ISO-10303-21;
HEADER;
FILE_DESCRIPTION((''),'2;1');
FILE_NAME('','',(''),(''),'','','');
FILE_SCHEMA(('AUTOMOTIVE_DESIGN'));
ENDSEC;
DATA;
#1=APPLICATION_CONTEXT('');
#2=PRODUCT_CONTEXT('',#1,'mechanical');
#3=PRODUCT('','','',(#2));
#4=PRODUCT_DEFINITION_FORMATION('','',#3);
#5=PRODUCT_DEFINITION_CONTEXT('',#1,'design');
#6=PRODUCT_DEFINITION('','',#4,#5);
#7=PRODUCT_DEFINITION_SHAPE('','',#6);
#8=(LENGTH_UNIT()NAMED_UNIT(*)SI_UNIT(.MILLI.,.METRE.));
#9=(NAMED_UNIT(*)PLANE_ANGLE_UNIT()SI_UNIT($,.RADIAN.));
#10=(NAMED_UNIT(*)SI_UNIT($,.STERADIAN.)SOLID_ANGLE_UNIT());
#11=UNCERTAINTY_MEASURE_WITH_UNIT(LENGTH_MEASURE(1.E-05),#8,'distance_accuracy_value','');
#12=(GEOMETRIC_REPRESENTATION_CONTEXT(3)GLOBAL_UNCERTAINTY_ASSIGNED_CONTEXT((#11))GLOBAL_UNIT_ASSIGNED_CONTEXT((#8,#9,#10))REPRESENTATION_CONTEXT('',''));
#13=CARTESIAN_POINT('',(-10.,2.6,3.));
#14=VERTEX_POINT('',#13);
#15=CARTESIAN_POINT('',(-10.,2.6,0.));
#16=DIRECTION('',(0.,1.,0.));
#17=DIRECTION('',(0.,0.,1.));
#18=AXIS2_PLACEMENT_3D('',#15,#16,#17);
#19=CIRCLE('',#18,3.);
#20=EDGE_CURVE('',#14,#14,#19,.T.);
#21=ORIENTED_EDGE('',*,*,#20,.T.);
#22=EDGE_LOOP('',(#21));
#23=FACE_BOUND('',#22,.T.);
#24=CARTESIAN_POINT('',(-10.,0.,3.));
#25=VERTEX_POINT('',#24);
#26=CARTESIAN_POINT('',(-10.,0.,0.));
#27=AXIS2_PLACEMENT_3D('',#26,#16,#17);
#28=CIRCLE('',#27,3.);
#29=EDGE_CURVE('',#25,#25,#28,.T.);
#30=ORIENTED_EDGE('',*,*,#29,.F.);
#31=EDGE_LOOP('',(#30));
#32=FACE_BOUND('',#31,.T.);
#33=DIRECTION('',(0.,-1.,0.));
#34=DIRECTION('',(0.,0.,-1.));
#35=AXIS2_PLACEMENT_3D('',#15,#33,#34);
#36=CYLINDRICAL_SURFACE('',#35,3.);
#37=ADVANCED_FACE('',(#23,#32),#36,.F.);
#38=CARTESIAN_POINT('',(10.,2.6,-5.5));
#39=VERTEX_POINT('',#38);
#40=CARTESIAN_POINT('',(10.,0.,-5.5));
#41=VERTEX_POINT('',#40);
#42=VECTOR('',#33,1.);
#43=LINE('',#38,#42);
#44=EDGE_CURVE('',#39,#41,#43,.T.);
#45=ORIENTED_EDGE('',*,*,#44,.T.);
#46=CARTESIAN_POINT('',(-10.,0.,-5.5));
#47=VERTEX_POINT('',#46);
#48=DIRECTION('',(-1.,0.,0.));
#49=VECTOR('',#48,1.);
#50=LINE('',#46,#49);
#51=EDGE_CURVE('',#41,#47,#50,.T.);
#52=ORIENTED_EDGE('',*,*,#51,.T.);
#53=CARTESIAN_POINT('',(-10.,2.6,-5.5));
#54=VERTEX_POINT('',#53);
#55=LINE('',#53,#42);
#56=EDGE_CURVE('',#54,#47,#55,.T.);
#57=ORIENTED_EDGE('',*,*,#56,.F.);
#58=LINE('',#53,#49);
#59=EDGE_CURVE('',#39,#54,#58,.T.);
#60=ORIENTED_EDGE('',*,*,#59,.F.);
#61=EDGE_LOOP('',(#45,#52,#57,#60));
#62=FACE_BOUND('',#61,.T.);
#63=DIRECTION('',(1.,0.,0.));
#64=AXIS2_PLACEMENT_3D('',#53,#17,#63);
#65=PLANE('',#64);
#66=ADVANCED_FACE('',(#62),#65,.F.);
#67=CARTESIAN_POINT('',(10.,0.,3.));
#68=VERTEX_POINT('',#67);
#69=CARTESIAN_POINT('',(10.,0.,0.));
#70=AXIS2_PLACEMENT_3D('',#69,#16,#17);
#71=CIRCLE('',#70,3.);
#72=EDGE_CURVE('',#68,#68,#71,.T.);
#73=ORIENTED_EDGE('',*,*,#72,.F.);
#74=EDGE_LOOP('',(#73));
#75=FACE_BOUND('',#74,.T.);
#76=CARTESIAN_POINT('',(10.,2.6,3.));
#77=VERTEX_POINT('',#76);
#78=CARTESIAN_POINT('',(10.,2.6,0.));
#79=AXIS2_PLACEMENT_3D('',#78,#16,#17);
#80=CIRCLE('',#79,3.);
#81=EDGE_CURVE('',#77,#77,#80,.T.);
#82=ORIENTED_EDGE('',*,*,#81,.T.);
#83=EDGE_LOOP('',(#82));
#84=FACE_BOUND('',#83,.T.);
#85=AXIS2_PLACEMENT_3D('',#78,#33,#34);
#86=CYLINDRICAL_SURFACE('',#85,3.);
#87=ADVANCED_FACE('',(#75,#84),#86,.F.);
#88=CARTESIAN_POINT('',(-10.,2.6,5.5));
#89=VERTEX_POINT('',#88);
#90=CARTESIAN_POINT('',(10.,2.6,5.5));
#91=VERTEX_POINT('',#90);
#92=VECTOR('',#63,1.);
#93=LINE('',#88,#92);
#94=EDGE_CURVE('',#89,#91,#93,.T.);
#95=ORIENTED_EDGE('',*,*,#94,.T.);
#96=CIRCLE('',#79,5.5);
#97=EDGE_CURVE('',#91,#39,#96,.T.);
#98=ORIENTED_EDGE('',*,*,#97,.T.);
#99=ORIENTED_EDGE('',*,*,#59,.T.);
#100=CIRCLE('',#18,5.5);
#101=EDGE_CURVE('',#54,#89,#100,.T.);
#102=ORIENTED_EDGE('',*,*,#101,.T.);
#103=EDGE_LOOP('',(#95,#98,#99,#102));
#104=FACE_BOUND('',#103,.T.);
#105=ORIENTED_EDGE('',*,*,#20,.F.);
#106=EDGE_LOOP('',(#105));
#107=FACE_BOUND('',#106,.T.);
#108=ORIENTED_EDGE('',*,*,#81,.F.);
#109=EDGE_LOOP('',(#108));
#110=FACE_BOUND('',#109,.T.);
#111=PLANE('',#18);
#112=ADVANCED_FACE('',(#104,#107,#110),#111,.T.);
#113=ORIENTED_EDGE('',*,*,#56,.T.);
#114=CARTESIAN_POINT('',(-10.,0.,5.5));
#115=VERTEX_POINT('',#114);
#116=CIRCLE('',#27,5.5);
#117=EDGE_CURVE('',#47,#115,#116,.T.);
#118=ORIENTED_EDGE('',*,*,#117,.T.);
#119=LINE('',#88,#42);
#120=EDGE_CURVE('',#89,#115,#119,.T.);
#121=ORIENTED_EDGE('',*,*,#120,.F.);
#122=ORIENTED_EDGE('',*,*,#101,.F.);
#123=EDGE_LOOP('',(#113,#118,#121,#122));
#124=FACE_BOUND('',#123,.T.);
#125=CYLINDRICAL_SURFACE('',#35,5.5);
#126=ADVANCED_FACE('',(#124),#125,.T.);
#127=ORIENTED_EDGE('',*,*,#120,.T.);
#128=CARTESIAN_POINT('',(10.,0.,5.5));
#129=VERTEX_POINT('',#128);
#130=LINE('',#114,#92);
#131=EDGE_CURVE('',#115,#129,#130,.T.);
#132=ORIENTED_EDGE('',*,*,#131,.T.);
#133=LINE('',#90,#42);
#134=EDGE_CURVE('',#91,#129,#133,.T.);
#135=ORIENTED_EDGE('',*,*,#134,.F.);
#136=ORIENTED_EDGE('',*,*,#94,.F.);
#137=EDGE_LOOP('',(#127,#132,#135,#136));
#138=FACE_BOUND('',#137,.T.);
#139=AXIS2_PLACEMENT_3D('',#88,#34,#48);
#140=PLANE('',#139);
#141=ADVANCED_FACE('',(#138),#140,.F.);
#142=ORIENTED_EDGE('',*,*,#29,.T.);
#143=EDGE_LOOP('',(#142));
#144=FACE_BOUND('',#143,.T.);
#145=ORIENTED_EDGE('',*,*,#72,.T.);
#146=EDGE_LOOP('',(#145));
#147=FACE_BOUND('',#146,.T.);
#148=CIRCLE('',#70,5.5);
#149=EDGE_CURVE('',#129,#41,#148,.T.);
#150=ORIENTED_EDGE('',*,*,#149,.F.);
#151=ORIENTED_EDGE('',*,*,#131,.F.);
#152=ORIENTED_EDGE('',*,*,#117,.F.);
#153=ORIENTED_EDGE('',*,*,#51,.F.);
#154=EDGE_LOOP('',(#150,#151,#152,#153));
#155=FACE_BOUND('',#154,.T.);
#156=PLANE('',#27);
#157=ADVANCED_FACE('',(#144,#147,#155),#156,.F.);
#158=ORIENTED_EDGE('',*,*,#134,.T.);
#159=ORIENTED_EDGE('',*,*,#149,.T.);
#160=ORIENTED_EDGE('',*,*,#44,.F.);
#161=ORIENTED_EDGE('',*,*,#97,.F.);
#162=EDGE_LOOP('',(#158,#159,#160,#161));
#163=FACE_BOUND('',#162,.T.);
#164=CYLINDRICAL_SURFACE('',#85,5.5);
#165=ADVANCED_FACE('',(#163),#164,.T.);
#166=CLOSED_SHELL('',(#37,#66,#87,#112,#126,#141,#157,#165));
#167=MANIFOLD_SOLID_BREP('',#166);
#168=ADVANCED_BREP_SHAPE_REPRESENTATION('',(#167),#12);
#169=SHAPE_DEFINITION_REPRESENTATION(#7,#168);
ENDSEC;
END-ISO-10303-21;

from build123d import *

# Parameters (mm, degrees)
SKETCH_1_R      = 3
EXTRUDE_1_DEPTH = 2.6


with BuildPart() as part:
    # 草图1 → 凸台-拉伸1 (new body)
    with BuildSketch(Plane(origin=(0, 0, 0), x_dir=(1, 0, 0), z_dir=(0, 1, 0))):
        with BuildLine():
            Line((-10, 5.5), (10, 5.5))
            ThreePointArc((10, 5.5), (15.5, 0), (10, -5.5))
            Line((10, -5.5), (-10, -5.5))
            ThreePointArc((-10, -5.5), (-15.5, 0), (-10, 5.5))
        make_face()
        with Locations(Location((-10, 0, 0), (0, 0, 270))):
            Circle(SKETCH_1_R, mode=Mode.SUBTRACT)
        with Locations(Location((10, 0, 0), (0, 0, 270))):
            Circle(SKETCH_1_R, mode=Mode.SUBTRACT)
    extrude(amount=EXTRUDE_1_DEPTH)


solid = part.part
